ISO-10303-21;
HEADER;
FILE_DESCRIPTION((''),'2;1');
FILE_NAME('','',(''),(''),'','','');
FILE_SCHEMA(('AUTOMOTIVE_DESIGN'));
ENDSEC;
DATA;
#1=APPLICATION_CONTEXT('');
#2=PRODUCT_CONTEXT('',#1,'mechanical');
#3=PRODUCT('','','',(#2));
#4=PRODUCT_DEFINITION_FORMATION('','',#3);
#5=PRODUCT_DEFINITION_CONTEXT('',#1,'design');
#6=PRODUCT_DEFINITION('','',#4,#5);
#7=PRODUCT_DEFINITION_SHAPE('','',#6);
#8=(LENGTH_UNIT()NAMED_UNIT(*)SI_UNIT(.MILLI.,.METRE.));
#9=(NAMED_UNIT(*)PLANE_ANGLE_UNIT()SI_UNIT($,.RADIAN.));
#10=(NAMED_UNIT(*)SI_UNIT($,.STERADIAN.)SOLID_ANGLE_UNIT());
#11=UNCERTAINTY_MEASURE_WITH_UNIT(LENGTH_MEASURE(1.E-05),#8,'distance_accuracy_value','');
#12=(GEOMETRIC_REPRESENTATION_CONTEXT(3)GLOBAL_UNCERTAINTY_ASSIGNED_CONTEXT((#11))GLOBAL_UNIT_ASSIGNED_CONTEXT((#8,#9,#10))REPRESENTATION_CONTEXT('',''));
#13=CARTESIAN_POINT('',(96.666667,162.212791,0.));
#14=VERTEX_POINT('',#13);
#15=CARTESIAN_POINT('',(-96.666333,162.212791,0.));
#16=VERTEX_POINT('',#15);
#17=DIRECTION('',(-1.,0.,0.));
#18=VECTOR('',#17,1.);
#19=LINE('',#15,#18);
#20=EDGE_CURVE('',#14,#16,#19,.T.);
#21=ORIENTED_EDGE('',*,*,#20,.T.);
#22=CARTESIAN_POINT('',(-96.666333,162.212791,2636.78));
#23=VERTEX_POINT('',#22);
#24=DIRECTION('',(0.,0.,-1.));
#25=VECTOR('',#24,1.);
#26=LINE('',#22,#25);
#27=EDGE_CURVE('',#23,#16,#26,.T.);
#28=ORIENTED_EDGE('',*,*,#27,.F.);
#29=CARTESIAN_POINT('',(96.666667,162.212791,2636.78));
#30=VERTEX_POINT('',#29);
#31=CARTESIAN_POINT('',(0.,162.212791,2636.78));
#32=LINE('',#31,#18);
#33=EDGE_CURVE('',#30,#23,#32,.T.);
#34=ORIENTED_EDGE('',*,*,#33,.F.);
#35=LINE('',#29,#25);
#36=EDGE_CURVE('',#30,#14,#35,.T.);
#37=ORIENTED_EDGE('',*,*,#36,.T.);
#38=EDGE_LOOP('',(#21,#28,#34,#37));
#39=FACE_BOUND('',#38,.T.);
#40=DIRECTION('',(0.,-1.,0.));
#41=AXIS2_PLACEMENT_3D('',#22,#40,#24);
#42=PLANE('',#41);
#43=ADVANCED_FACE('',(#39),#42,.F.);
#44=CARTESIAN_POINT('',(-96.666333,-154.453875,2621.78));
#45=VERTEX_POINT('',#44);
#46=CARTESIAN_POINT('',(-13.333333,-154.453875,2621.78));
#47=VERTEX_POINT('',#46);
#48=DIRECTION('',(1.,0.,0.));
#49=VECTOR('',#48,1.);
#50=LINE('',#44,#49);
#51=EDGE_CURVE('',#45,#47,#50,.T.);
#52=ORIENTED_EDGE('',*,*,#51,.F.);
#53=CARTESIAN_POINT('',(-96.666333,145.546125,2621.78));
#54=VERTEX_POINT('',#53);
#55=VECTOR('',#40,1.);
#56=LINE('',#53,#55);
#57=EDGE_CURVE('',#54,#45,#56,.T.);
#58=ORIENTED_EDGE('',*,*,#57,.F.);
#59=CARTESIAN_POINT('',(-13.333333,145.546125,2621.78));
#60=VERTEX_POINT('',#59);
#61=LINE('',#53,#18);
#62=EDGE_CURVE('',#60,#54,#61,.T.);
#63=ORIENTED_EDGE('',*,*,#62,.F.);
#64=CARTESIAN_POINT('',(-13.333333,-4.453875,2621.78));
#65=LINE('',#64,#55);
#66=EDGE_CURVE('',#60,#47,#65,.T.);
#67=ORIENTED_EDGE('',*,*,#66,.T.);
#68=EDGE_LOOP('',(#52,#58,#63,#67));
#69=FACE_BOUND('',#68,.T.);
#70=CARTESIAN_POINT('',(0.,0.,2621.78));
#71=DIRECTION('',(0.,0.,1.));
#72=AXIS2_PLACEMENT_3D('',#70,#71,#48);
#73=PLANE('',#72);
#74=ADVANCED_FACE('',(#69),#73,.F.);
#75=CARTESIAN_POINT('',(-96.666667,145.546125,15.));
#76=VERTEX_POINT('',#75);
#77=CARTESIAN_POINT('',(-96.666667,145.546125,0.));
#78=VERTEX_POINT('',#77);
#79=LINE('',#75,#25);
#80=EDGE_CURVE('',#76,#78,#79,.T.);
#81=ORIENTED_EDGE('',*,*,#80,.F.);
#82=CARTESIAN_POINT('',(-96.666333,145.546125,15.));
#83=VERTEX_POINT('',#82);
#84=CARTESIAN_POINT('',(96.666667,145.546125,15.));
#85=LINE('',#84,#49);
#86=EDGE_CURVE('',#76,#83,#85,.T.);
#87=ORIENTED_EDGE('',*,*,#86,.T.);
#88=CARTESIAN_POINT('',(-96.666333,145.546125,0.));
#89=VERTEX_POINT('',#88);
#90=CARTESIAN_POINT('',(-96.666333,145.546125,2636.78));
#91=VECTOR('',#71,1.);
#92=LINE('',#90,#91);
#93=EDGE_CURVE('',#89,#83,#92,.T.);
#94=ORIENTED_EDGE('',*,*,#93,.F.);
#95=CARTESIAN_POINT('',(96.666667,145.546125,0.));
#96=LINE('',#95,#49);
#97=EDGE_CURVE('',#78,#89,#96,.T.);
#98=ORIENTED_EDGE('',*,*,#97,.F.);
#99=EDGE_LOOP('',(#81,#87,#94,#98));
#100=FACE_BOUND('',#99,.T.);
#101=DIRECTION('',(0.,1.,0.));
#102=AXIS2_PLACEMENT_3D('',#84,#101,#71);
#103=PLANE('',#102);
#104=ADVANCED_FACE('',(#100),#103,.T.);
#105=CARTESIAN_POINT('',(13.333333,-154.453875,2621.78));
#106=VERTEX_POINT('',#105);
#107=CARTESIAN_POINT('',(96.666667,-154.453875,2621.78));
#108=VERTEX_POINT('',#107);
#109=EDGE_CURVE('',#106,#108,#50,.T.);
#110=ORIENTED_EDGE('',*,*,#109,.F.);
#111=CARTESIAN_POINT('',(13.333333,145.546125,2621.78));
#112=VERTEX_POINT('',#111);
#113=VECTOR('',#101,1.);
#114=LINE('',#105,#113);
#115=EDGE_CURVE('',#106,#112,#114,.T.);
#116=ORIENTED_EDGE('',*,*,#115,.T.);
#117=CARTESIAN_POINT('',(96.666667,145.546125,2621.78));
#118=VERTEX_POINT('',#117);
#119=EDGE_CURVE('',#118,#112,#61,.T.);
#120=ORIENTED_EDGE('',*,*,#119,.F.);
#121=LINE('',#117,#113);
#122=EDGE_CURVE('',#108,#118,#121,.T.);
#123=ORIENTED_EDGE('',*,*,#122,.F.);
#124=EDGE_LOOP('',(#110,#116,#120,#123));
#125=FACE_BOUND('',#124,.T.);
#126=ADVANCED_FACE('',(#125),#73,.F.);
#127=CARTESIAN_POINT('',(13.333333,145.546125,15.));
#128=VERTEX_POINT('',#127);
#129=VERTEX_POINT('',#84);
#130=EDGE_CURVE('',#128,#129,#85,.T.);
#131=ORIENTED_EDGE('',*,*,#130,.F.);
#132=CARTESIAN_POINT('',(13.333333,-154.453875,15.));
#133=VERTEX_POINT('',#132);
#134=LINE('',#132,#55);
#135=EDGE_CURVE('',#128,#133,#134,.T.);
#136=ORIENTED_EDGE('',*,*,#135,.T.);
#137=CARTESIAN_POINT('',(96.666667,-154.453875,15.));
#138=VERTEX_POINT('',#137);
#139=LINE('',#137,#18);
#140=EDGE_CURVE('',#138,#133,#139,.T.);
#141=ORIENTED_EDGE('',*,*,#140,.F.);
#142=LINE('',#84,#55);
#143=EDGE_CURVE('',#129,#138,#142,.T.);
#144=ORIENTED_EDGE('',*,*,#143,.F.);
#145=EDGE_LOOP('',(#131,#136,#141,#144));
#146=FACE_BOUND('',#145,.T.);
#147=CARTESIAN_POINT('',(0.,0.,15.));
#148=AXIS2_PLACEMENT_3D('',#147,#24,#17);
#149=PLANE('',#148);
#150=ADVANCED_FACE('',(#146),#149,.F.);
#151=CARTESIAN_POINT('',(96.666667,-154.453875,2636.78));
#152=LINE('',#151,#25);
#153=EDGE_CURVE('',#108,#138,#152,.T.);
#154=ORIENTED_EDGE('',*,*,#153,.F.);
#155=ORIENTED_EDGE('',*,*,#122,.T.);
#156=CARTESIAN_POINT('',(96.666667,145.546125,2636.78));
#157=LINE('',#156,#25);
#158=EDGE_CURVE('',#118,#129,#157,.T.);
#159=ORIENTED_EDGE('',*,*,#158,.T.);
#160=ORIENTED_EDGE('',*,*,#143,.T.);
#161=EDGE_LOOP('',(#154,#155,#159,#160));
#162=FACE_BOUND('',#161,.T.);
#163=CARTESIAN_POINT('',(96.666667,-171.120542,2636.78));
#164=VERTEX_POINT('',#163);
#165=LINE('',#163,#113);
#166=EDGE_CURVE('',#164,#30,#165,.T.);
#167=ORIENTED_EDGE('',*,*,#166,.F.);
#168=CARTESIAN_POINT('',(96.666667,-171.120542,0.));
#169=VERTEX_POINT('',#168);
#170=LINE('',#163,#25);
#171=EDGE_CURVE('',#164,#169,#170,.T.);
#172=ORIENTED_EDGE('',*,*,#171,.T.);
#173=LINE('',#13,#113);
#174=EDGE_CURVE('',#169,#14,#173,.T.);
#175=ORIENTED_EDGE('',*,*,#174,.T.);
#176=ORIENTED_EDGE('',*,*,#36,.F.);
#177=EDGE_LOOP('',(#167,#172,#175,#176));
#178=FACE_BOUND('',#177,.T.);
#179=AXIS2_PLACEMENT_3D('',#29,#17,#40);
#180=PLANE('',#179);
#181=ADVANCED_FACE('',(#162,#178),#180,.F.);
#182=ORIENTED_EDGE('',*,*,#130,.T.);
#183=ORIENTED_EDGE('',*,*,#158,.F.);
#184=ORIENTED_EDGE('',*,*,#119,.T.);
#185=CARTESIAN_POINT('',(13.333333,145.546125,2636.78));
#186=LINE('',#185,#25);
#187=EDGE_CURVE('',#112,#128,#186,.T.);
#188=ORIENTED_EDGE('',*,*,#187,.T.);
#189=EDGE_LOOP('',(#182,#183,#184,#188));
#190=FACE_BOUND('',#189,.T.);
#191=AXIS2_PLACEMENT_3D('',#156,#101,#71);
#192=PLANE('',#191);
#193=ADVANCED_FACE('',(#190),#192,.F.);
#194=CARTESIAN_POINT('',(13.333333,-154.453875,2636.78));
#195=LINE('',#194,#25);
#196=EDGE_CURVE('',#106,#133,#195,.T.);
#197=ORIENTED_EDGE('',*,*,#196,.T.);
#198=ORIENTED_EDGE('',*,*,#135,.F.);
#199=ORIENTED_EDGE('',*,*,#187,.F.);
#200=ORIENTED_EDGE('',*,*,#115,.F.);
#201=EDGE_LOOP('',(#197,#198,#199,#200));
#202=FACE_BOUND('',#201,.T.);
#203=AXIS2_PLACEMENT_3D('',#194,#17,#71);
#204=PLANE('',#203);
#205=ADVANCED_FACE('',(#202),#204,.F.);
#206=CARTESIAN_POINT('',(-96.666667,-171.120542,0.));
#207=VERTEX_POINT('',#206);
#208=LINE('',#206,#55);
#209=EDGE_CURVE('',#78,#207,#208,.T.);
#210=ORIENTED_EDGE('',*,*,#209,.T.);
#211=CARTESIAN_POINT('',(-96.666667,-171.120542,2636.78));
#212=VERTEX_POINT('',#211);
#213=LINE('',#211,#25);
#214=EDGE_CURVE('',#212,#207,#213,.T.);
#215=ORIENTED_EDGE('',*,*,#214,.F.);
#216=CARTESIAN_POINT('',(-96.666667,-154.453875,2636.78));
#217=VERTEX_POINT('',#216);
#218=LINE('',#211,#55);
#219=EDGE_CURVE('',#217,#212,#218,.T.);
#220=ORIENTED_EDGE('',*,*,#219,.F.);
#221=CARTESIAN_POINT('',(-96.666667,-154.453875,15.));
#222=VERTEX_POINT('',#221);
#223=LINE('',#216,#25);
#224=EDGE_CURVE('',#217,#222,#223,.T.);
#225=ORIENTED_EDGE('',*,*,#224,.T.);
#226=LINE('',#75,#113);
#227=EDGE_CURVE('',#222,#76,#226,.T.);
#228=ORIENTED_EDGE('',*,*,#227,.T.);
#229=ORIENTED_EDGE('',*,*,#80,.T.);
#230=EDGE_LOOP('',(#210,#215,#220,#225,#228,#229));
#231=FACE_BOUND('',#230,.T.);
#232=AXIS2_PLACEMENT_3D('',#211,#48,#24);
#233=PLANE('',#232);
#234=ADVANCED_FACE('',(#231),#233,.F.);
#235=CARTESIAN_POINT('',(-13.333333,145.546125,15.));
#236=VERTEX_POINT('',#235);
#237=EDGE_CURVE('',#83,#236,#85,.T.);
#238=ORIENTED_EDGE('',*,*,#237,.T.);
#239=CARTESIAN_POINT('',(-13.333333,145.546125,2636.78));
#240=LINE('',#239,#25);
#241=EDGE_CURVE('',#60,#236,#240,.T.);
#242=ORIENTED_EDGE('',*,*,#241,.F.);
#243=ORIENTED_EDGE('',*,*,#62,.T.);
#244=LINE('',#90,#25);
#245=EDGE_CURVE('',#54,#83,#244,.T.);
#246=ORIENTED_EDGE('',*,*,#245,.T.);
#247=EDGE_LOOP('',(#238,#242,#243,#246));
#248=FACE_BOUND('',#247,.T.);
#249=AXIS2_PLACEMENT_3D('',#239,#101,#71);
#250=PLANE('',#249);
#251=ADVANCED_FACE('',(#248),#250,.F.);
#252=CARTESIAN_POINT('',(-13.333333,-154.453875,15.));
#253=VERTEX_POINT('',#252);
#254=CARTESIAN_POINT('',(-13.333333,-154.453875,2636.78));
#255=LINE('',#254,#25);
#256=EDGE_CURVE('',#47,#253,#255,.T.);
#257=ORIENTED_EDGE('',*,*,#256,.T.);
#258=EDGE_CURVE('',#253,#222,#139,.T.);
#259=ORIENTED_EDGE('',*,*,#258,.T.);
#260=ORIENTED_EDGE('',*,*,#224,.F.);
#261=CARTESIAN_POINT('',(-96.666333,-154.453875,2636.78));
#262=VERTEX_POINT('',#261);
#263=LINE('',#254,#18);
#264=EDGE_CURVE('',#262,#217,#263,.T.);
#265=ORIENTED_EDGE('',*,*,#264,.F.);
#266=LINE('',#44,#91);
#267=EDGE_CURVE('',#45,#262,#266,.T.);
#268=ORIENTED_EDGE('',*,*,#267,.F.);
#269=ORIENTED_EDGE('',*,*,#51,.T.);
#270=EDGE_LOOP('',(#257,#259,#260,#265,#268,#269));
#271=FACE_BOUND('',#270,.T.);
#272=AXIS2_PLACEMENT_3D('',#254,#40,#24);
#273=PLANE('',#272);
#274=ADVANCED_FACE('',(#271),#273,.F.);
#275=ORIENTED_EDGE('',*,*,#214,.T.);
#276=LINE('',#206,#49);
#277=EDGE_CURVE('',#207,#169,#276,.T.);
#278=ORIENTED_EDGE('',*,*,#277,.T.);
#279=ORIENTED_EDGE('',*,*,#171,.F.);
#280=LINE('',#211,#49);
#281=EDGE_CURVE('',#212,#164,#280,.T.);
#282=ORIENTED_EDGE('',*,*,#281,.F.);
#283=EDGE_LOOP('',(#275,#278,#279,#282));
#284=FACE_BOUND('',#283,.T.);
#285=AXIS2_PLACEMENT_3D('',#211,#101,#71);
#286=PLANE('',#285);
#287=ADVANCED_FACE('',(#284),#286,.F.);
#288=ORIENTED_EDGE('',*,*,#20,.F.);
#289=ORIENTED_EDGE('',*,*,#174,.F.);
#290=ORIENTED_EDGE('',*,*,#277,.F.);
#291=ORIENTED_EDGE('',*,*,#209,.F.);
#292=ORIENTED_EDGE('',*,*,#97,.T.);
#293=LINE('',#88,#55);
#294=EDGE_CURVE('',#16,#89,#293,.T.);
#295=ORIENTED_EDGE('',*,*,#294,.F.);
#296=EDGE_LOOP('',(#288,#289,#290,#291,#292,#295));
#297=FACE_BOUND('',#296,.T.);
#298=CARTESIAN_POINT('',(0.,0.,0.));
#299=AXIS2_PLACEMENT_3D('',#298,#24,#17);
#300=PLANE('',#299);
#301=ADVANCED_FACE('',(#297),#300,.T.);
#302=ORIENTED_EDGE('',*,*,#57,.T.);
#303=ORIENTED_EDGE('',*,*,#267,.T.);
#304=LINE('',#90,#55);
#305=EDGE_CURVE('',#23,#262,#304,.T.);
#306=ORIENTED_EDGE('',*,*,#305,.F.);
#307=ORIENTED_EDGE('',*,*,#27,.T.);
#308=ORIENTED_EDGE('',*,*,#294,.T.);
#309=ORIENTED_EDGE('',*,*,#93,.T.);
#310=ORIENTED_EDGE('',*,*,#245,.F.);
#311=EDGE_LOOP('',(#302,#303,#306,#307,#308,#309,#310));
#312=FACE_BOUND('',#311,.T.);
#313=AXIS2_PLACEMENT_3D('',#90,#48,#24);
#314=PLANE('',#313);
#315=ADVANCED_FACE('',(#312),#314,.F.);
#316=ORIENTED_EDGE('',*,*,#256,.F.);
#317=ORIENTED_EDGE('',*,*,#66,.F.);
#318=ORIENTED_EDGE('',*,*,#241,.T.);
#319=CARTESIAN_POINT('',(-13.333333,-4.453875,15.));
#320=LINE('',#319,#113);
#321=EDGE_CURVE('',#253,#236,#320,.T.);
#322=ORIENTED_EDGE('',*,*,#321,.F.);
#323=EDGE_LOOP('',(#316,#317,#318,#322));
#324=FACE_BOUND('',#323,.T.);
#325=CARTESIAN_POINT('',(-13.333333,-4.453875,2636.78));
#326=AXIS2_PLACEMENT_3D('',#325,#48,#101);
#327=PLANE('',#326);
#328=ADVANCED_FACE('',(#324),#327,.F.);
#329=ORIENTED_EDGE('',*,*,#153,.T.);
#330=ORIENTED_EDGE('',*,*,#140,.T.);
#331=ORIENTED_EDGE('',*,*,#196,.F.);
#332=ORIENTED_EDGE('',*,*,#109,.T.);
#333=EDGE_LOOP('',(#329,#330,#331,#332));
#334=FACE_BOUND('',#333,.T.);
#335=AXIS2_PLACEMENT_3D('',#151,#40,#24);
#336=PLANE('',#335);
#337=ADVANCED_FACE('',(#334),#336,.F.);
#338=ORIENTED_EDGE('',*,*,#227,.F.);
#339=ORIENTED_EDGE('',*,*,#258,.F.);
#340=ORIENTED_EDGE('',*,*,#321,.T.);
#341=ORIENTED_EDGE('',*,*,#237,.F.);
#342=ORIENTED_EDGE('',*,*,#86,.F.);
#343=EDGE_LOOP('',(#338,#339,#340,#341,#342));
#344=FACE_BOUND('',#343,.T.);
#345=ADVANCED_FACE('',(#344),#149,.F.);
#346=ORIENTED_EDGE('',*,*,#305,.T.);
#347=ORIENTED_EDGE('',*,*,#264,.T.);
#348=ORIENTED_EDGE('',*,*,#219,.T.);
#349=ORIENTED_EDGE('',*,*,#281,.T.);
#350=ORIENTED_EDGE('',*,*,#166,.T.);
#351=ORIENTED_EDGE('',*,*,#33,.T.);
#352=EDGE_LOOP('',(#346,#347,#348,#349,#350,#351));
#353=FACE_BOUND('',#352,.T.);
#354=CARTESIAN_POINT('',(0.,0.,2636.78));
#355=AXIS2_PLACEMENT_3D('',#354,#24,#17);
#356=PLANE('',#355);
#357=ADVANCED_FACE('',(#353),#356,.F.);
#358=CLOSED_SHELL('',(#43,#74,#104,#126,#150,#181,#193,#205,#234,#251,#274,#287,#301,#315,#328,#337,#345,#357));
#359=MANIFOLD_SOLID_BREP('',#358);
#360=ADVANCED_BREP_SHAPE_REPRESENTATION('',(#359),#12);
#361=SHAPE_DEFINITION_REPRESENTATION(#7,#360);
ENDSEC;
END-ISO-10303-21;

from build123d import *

# Parameters (mm, degrees)
BOSS_EXTRUDE1_DEPTH = 2636.78
SKETCH2_W           = 193.333333334
SKETCH2_H           = 300
BOSS_EXTRUDE2_DEPTH = 15
SKETCH3_W           = 193.333
SKETCH3_H           = 300
BOSS_EXTRUDE4_DEPTH = 15


with BuildPart() as part:
    # Sketch1 → Boss-Extrude1 (new body)
    with BuildSketch(Plane.XY):
        Polygon((-13.333333333, -4.45387532), (-13.333333333, 145.54612468), (-96.666333333, 145.54612468), (-96.666333333, 162.212791347), (-13.333333333, 162.212791347), (0, 162.212791347), (96.666666667, 162.212791347), (96.666666667, 145.54612468), (13.333333333, 145.54612468), (13.333333333, -154.45387532), (96.666666667, -154.45387532), (96.666666667, -171.120541986), (-96.666666667, -171.120541986), (-96.666666667, -154.45387532), (-13.333333333, -154.45387532), align=None)
    extrude(amount=BOSS_EXTRUDE1_DEPTH)

    # Sketch2 → Boss-Extrude2 (add)
    with BuildSketch(Plane(origin=(0, 0, 0), x_dir=(-1, 0, 0), z_dir=(0, 0, -1))):
        with Locations((0, -4.45387532)):
            Rectangle(SKETCH2_W, SKETCH2_H)
    extrude(amount=-BOSS_EXTRUDE2_DEPTH)

    # Sketch3 → Boss-Extrude4 (add)
    with BuildSketch(Plane.XY.offset(2636.78)):
        with Locations((0.000166667, -4.45387532)):
            Rectangle(SKETCH3_W, SKETCH3_H)
    extrude(amount=-BOSS_EXTRUDE4_DEPTH)


solid = part.part
